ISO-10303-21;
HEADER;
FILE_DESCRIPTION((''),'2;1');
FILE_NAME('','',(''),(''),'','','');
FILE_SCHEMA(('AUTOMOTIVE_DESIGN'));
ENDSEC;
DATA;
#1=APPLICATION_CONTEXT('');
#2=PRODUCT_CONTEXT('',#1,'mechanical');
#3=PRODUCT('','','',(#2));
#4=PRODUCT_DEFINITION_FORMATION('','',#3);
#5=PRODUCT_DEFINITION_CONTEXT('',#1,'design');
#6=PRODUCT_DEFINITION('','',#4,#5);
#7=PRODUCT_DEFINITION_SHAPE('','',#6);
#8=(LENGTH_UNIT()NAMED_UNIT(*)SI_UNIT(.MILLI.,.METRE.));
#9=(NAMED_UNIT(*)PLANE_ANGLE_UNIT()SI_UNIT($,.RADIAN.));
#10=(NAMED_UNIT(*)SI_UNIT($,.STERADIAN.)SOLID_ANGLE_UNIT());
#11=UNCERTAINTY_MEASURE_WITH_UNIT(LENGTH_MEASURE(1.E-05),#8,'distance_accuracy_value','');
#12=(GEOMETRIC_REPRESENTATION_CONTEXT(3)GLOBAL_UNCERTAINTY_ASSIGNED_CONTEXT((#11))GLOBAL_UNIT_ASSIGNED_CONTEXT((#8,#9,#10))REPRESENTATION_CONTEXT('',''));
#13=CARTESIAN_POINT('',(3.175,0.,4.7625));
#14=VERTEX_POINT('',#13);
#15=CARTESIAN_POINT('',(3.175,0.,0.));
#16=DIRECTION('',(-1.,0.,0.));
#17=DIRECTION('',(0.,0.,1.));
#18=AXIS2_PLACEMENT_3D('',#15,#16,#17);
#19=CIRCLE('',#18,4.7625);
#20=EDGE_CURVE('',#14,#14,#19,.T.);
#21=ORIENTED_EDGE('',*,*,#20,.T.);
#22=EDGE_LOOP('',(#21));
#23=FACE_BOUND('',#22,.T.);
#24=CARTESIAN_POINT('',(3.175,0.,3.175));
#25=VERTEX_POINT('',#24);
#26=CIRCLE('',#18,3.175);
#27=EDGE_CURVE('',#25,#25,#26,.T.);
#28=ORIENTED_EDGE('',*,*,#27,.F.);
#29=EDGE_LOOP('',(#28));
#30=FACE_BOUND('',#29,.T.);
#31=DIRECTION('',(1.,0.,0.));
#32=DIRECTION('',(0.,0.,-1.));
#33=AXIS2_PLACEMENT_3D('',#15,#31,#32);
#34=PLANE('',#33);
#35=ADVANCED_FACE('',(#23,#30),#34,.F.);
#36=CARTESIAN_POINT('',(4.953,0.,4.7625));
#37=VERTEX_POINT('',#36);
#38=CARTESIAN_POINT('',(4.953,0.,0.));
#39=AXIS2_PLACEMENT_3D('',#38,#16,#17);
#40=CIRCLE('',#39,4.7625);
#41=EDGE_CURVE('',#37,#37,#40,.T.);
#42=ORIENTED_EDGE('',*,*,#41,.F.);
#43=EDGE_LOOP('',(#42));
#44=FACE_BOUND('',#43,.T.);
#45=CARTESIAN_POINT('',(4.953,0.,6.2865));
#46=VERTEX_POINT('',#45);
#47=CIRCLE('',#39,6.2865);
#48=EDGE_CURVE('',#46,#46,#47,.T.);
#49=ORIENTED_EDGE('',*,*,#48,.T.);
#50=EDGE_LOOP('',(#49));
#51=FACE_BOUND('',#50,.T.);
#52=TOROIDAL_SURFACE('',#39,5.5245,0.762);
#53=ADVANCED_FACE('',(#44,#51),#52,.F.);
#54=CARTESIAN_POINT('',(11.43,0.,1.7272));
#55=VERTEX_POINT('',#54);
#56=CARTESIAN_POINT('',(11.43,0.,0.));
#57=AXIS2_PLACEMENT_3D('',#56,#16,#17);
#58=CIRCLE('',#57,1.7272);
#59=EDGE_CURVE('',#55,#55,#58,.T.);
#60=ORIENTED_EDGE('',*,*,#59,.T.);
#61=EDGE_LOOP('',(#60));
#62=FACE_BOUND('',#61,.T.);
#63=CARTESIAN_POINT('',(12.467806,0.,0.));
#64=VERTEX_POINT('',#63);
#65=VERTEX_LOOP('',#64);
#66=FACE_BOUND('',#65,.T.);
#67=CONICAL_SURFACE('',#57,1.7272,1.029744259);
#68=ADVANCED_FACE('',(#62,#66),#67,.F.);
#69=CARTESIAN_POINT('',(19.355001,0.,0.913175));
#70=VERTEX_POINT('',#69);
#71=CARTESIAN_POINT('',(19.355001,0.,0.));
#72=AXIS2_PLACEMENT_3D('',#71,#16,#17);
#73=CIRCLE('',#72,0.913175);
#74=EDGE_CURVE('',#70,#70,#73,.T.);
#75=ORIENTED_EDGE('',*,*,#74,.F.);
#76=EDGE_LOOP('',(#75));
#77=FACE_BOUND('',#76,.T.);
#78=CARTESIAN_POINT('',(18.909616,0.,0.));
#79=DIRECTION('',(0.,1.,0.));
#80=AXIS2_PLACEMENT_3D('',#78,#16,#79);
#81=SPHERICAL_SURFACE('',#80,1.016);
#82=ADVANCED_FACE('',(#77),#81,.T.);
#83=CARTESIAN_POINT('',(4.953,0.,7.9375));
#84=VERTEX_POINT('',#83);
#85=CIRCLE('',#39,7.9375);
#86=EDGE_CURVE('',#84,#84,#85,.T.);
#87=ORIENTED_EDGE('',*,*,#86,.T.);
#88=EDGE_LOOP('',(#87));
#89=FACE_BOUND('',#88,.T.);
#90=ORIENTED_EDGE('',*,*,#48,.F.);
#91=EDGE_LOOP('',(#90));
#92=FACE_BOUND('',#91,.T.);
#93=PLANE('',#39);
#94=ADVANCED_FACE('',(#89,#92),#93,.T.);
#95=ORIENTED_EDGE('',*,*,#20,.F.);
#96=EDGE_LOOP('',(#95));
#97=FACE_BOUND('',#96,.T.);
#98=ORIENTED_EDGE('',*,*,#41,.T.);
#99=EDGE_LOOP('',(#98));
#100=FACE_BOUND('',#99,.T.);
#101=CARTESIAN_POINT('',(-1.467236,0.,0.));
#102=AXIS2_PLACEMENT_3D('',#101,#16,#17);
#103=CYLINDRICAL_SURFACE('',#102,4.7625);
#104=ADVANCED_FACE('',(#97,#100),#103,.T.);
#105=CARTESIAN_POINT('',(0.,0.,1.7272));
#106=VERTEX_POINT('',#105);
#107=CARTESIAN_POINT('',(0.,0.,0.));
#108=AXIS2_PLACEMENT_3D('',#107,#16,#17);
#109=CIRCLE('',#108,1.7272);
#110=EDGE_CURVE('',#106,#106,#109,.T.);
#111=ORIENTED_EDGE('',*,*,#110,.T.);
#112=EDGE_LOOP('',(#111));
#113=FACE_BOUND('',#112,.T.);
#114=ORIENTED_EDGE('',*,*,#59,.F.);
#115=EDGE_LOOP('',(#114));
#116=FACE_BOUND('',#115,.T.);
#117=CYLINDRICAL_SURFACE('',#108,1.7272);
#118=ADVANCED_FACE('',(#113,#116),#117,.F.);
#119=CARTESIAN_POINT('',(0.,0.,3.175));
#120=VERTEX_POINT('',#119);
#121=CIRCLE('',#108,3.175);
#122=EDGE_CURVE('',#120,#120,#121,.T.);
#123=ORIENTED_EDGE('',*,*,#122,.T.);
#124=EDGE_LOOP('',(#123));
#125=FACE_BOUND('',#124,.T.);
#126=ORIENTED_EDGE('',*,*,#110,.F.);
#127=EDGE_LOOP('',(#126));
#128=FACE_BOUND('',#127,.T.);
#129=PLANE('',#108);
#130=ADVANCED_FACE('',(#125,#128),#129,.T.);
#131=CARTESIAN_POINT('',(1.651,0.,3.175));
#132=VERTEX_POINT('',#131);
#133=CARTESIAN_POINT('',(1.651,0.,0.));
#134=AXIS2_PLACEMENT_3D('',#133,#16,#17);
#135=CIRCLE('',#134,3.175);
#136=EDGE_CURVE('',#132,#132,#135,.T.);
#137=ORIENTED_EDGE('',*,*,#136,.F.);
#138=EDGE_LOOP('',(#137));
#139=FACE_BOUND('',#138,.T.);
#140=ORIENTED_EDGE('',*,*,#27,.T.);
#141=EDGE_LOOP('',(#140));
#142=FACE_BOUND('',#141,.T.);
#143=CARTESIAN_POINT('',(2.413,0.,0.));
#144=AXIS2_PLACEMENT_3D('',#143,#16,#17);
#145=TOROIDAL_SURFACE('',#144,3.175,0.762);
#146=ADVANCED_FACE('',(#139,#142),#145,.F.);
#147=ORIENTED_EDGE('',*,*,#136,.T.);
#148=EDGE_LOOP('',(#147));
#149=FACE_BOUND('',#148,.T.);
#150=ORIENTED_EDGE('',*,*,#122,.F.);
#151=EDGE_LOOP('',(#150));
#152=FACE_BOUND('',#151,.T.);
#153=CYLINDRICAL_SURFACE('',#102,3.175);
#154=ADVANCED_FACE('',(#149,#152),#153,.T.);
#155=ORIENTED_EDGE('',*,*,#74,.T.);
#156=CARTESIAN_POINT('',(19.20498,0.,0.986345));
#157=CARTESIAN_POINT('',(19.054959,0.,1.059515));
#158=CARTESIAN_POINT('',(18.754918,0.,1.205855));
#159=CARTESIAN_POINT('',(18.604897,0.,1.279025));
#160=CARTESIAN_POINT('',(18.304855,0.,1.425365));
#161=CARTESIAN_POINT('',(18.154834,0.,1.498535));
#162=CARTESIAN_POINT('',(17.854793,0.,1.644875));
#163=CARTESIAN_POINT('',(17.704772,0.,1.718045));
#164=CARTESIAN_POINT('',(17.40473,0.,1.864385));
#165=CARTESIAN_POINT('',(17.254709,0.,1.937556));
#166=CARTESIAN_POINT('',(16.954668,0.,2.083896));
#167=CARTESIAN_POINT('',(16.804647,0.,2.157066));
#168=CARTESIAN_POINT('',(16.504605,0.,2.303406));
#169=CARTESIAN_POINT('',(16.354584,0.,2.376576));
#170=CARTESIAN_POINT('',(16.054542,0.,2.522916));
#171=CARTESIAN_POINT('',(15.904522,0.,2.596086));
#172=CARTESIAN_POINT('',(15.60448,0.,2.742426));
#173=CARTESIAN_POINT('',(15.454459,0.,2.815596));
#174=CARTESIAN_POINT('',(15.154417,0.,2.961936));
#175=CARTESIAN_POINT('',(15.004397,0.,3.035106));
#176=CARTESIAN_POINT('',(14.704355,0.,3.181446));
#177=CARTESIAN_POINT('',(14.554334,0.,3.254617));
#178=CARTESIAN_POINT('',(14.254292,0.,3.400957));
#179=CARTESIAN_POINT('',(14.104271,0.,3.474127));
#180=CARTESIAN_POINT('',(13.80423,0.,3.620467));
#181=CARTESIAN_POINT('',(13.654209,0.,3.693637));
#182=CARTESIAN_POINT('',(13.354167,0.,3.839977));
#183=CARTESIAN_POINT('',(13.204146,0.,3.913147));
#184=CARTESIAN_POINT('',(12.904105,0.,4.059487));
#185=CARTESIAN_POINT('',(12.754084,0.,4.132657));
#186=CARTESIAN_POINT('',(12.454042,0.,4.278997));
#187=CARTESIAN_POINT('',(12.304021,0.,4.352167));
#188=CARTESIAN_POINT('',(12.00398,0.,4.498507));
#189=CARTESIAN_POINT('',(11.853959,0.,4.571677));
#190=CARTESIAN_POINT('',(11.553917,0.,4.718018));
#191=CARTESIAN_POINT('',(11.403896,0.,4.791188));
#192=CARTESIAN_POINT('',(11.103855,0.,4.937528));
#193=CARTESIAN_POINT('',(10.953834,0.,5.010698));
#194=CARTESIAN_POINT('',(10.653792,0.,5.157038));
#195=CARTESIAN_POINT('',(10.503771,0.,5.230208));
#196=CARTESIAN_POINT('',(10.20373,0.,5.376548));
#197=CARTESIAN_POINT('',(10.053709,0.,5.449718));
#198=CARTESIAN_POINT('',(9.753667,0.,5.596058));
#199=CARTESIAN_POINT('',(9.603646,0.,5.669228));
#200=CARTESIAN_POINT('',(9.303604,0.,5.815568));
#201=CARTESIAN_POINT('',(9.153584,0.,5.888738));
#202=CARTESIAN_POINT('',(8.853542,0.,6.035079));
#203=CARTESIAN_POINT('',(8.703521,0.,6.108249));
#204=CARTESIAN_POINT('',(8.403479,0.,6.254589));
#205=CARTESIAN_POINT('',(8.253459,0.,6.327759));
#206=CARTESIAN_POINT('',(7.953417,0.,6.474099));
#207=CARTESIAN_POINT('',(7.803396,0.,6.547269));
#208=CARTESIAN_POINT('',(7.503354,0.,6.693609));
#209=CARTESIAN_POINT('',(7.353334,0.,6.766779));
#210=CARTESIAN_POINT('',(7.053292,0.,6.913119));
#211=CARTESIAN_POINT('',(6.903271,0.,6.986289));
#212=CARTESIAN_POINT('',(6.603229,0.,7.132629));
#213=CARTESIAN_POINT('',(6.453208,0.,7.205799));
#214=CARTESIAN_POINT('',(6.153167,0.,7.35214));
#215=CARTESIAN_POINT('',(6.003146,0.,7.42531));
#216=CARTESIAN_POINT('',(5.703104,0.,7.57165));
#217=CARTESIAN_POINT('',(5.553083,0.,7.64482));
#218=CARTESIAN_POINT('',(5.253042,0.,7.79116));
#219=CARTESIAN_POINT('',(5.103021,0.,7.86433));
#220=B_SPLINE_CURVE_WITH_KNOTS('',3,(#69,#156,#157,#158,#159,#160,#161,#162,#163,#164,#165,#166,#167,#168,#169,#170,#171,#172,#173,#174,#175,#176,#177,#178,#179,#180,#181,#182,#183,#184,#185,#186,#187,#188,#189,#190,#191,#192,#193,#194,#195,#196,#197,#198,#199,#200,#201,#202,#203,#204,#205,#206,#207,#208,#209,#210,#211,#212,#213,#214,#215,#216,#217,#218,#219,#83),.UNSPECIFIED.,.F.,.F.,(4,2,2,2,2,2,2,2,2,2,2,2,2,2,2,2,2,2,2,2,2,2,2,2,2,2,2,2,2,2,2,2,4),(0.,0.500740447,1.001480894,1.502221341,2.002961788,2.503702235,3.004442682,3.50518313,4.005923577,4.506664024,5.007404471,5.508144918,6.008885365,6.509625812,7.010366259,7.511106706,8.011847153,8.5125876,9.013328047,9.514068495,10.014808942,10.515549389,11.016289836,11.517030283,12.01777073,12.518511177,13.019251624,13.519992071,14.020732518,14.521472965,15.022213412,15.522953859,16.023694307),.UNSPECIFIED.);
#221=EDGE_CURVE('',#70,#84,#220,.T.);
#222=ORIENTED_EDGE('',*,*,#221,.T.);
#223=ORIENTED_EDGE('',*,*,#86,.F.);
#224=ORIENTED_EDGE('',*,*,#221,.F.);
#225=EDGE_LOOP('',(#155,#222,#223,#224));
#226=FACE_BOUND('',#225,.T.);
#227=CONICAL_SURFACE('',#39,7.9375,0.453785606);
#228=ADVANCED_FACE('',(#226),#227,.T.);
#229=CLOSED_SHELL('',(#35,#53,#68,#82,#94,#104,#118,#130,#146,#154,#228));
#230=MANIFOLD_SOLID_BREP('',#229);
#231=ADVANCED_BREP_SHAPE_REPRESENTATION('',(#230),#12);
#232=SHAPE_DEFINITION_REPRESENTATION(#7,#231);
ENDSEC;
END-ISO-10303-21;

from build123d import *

# Parameters (mm, degrees)
F_8_32_TAPPED_HOLE1_D     = 3.4544
F_8_32_TAPPED_HOLE1_DEPTH = 11.43
F_8_32_TAPPED_HOLE1_TIP   = 1.037806461


with BuildPart() as part:
    # Sketch1 one side → Revolve1 (revolve)
    with BuildSketch(Plane.XY, mode=Mode.PRIVATE) as revolve1_sk:
        with BuildLine():
            Line((0, 3.175), (0, 0))
            Line((0, 0), (19.925615957, 0))
            ThreePointArc((19.925615957, 0), (19.771232823, 0.538397972), (19.355001042, 0.913174751))
            Line((19.355001042, 0.913174751), (4.953, 7.9375))
            Line((4.953, 7.9375), (4.953, 6.2865))
            ThreePointArc((4.953, 6.2865), (5.715, 5.5245), (4.953, 4.7625))
            Line((4.953, 4.7625), (3.175, 4.7625))
            Line((3.175, 4.7625), (3.175, 3.175))
            ThreePointArc((3.175, 3.175), (2.413, 2.413), (1.651, 3.175))
            Line((1.651, 3.175), (0, 3.175))
        make_face()
    revolve(revolve1_sk.sketch.rotate(Axis((-1.467236121, 0, 0), (1, 0, 0)), 90), axis=Axis((-1.467236121, 0, 0), (1, 0, 0)))

    # #8-32 Tapped Hole1
    with Locations(Plane.ZY):
        with Locations((0, 0)):
            Hole(F_8_32_TAPPED_HOLE1_D / 2, depth=F_8_32_TAPPED_HOLE1_DEPTH)
            with Locations((0, 0, -(F_8_32_TAPPED_HOLE1_DEPTH + F_8_32_TAPPED_HOLE1_TIP / 2))):  # 118° drill point
                Cone(0, F_8_32_TAPPED_HOLE1_D / 2, F_8_32_TAPPED_HOLE1_TIP, mode=Mode.SUBTRACT)


solid = part.part
